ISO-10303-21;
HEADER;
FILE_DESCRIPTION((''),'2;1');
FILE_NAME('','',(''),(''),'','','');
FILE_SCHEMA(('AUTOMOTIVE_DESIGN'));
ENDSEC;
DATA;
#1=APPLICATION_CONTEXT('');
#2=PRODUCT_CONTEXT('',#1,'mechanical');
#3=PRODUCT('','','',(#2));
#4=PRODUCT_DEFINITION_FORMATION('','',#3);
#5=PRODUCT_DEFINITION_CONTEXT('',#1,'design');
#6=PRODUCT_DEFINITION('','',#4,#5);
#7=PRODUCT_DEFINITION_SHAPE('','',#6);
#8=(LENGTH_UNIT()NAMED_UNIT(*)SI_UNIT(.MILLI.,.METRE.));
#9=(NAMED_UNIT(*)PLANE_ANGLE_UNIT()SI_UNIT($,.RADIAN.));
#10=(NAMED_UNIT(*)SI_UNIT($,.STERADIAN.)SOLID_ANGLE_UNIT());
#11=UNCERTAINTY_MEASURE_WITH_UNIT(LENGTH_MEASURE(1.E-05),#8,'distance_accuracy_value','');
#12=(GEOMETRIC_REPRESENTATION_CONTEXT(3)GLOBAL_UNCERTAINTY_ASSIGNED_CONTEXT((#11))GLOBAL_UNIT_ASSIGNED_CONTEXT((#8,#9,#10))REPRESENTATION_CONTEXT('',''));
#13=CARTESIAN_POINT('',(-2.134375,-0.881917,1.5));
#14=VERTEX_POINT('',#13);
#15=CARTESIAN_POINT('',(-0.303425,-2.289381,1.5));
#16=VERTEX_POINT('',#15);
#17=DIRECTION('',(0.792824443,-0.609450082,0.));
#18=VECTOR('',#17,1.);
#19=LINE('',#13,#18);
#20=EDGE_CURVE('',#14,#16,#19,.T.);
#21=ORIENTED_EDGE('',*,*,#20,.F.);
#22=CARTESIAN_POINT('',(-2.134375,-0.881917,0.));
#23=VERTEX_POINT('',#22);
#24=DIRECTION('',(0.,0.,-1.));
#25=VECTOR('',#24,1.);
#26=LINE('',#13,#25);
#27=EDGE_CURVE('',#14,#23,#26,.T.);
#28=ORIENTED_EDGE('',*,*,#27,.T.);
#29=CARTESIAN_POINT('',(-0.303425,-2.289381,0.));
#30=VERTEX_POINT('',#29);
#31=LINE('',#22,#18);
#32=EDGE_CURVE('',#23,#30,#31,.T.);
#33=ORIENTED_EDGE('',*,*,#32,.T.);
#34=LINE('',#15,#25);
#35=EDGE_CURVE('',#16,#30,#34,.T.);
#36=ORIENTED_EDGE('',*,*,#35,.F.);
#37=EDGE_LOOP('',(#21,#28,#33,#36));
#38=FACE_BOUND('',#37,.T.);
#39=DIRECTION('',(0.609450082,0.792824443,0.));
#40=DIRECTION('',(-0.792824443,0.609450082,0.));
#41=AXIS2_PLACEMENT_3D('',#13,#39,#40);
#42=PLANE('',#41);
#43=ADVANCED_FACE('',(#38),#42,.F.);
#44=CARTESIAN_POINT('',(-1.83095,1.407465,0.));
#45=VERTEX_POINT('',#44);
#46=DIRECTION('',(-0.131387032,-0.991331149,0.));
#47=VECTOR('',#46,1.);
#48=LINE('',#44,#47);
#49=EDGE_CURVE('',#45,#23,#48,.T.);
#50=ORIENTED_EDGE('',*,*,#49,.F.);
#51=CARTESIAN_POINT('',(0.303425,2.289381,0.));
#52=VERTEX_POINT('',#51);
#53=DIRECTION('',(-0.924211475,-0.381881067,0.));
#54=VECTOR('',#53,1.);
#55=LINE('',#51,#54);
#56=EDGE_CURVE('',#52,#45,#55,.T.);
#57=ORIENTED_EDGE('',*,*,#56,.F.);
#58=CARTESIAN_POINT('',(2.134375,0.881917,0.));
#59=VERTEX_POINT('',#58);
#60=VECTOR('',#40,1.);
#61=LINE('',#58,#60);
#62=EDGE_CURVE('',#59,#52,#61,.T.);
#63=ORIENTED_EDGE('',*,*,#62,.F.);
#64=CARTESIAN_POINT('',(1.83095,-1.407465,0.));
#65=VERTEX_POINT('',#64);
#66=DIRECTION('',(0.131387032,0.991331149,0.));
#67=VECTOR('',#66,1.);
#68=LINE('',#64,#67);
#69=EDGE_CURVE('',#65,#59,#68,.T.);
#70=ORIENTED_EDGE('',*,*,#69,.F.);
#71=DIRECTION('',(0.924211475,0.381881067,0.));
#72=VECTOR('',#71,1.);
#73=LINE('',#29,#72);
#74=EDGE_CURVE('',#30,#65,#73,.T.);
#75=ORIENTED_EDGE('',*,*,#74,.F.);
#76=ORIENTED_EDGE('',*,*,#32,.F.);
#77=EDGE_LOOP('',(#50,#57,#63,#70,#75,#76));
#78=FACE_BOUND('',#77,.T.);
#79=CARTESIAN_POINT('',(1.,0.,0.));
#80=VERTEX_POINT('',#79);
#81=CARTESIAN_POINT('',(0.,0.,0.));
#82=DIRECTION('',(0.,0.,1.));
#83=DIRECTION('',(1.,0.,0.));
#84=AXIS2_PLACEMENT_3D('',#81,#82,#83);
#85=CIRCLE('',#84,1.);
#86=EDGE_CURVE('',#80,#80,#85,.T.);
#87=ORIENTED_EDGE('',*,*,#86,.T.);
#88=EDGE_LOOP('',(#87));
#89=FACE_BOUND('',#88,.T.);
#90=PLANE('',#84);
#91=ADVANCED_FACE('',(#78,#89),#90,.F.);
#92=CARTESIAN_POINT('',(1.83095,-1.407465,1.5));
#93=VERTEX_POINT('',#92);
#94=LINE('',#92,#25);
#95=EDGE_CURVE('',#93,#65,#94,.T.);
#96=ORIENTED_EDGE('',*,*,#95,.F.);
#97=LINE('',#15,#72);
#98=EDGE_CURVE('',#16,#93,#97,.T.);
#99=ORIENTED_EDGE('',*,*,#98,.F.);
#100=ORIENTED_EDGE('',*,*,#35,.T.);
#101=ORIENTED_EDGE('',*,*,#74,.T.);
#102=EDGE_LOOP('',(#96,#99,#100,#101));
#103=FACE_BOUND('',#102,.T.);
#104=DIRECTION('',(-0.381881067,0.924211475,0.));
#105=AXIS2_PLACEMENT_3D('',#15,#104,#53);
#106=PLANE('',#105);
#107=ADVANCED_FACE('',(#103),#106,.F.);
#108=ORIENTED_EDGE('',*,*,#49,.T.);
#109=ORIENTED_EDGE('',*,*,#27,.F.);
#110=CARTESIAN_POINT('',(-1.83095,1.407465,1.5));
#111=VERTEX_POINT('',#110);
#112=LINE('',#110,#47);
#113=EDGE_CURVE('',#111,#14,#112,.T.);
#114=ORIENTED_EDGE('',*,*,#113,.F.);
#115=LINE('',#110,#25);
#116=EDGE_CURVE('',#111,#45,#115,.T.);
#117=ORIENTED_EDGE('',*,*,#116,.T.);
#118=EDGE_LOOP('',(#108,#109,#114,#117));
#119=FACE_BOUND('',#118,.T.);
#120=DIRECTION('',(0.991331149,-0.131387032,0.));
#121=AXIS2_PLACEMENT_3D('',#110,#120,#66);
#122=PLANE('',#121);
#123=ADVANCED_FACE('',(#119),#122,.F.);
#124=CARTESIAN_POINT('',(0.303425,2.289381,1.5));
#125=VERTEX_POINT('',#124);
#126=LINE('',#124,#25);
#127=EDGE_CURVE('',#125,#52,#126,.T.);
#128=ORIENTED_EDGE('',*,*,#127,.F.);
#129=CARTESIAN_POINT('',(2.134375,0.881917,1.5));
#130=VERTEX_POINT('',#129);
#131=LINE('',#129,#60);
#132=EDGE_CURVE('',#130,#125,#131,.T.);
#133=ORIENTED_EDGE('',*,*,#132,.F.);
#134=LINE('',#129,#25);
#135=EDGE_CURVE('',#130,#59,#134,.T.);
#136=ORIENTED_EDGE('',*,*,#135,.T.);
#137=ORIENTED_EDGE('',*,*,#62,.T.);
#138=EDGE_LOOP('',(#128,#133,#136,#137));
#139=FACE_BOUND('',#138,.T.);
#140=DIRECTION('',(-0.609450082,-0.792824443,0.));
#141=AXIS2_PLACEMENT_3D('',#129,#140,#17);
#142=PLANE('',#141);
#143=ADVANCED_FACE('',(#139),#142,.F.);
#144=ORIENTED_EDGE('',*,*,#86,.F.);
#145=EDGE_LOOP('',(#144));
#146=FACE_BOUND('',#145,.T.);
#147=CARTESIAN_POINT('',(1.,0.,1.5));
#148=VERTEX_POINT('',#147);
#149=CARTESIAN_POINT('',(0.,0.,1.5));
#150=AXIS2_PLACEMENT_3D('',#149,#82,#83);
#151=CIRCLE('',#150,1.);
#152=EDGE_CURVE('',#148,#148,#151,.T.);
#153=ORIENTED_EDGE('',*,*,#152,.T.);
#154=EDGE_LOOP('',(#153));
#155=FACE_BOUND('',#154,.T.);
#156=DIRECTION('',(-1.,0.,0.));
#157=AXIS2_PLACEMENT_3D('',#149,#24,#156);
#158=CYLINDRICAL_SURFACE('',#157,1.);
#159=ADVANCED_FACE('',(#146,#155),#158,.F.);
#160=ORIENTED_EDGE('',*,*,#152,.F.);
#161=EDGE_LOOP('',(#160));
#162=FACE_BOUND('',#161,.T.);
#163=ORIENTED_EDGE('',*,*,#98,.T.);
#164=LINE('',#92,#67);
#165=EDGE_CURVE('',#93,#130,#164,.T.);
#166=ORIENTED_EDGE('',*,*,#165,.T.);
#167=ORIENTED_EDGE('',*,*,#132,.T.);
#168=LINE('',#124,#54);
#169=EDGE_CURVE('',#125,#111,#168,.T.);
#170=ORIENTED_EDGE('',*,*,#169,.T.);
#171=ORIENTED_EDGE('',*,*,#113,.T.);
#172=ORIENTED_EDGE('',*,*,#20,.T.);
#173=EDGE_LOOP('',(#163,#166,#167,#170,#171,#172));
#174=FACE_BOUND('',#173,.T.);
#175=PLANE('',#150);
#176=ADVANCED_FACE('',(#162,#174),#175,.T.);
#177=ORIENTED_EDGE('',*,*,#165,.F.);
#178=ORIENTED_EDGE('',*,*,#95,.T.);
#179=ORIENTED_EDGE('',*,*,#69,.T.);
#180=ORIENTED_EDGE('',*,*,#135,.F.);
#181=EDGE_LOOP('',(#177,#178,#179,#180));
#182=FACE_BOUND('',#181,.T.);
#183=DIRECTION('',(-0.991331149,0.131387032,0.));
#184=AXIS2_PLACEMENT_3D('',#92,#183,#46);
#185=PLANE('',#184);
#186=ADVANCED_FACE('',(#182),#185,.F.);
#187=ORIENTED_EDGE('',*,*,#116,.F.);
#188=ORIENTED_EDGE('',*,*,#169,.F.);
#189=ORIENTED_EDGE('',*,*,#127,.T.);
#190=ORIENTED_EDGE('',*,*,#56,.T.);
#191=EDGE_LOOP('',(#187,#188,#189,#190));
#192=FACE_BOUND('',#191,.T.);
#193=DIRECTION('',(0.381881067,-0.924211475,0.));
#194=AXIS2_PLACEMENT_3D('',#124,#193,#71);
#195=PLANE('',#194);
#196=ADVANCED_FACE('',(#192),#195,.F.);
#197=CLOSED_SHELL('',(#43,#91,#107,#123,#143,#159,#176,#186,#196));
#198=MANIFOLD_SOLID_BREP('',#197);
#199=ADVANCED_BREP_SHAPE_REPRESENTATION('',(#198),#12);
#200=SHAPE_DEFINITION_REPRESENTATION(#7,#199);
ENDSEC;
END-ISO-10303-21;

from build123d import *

# Parameters (mm, degrees)
SKETCH_1_R      = 1
EXTRUDE_1_DEPTH = 1.5


with BuildPart() as part:
    # 草图1 → 凸台-拉伸1 (new body)
    with BuildSketch(Plane.XY):
        Polygon((1.830949622, -1.407464676), (2.134374975, 0.881916548), (0.303425353, 2.289381224), (-1.830949622, 1.407464676), (-2.134374975, -0.881916548), (-0.303425353, -2.289381224), align=None)
        Circle(SKETCH_1_R, mode=Mode.SUBTRACT)
    extrude(amount=EXTRUDE_1_DEPTH)


solid = part.part
